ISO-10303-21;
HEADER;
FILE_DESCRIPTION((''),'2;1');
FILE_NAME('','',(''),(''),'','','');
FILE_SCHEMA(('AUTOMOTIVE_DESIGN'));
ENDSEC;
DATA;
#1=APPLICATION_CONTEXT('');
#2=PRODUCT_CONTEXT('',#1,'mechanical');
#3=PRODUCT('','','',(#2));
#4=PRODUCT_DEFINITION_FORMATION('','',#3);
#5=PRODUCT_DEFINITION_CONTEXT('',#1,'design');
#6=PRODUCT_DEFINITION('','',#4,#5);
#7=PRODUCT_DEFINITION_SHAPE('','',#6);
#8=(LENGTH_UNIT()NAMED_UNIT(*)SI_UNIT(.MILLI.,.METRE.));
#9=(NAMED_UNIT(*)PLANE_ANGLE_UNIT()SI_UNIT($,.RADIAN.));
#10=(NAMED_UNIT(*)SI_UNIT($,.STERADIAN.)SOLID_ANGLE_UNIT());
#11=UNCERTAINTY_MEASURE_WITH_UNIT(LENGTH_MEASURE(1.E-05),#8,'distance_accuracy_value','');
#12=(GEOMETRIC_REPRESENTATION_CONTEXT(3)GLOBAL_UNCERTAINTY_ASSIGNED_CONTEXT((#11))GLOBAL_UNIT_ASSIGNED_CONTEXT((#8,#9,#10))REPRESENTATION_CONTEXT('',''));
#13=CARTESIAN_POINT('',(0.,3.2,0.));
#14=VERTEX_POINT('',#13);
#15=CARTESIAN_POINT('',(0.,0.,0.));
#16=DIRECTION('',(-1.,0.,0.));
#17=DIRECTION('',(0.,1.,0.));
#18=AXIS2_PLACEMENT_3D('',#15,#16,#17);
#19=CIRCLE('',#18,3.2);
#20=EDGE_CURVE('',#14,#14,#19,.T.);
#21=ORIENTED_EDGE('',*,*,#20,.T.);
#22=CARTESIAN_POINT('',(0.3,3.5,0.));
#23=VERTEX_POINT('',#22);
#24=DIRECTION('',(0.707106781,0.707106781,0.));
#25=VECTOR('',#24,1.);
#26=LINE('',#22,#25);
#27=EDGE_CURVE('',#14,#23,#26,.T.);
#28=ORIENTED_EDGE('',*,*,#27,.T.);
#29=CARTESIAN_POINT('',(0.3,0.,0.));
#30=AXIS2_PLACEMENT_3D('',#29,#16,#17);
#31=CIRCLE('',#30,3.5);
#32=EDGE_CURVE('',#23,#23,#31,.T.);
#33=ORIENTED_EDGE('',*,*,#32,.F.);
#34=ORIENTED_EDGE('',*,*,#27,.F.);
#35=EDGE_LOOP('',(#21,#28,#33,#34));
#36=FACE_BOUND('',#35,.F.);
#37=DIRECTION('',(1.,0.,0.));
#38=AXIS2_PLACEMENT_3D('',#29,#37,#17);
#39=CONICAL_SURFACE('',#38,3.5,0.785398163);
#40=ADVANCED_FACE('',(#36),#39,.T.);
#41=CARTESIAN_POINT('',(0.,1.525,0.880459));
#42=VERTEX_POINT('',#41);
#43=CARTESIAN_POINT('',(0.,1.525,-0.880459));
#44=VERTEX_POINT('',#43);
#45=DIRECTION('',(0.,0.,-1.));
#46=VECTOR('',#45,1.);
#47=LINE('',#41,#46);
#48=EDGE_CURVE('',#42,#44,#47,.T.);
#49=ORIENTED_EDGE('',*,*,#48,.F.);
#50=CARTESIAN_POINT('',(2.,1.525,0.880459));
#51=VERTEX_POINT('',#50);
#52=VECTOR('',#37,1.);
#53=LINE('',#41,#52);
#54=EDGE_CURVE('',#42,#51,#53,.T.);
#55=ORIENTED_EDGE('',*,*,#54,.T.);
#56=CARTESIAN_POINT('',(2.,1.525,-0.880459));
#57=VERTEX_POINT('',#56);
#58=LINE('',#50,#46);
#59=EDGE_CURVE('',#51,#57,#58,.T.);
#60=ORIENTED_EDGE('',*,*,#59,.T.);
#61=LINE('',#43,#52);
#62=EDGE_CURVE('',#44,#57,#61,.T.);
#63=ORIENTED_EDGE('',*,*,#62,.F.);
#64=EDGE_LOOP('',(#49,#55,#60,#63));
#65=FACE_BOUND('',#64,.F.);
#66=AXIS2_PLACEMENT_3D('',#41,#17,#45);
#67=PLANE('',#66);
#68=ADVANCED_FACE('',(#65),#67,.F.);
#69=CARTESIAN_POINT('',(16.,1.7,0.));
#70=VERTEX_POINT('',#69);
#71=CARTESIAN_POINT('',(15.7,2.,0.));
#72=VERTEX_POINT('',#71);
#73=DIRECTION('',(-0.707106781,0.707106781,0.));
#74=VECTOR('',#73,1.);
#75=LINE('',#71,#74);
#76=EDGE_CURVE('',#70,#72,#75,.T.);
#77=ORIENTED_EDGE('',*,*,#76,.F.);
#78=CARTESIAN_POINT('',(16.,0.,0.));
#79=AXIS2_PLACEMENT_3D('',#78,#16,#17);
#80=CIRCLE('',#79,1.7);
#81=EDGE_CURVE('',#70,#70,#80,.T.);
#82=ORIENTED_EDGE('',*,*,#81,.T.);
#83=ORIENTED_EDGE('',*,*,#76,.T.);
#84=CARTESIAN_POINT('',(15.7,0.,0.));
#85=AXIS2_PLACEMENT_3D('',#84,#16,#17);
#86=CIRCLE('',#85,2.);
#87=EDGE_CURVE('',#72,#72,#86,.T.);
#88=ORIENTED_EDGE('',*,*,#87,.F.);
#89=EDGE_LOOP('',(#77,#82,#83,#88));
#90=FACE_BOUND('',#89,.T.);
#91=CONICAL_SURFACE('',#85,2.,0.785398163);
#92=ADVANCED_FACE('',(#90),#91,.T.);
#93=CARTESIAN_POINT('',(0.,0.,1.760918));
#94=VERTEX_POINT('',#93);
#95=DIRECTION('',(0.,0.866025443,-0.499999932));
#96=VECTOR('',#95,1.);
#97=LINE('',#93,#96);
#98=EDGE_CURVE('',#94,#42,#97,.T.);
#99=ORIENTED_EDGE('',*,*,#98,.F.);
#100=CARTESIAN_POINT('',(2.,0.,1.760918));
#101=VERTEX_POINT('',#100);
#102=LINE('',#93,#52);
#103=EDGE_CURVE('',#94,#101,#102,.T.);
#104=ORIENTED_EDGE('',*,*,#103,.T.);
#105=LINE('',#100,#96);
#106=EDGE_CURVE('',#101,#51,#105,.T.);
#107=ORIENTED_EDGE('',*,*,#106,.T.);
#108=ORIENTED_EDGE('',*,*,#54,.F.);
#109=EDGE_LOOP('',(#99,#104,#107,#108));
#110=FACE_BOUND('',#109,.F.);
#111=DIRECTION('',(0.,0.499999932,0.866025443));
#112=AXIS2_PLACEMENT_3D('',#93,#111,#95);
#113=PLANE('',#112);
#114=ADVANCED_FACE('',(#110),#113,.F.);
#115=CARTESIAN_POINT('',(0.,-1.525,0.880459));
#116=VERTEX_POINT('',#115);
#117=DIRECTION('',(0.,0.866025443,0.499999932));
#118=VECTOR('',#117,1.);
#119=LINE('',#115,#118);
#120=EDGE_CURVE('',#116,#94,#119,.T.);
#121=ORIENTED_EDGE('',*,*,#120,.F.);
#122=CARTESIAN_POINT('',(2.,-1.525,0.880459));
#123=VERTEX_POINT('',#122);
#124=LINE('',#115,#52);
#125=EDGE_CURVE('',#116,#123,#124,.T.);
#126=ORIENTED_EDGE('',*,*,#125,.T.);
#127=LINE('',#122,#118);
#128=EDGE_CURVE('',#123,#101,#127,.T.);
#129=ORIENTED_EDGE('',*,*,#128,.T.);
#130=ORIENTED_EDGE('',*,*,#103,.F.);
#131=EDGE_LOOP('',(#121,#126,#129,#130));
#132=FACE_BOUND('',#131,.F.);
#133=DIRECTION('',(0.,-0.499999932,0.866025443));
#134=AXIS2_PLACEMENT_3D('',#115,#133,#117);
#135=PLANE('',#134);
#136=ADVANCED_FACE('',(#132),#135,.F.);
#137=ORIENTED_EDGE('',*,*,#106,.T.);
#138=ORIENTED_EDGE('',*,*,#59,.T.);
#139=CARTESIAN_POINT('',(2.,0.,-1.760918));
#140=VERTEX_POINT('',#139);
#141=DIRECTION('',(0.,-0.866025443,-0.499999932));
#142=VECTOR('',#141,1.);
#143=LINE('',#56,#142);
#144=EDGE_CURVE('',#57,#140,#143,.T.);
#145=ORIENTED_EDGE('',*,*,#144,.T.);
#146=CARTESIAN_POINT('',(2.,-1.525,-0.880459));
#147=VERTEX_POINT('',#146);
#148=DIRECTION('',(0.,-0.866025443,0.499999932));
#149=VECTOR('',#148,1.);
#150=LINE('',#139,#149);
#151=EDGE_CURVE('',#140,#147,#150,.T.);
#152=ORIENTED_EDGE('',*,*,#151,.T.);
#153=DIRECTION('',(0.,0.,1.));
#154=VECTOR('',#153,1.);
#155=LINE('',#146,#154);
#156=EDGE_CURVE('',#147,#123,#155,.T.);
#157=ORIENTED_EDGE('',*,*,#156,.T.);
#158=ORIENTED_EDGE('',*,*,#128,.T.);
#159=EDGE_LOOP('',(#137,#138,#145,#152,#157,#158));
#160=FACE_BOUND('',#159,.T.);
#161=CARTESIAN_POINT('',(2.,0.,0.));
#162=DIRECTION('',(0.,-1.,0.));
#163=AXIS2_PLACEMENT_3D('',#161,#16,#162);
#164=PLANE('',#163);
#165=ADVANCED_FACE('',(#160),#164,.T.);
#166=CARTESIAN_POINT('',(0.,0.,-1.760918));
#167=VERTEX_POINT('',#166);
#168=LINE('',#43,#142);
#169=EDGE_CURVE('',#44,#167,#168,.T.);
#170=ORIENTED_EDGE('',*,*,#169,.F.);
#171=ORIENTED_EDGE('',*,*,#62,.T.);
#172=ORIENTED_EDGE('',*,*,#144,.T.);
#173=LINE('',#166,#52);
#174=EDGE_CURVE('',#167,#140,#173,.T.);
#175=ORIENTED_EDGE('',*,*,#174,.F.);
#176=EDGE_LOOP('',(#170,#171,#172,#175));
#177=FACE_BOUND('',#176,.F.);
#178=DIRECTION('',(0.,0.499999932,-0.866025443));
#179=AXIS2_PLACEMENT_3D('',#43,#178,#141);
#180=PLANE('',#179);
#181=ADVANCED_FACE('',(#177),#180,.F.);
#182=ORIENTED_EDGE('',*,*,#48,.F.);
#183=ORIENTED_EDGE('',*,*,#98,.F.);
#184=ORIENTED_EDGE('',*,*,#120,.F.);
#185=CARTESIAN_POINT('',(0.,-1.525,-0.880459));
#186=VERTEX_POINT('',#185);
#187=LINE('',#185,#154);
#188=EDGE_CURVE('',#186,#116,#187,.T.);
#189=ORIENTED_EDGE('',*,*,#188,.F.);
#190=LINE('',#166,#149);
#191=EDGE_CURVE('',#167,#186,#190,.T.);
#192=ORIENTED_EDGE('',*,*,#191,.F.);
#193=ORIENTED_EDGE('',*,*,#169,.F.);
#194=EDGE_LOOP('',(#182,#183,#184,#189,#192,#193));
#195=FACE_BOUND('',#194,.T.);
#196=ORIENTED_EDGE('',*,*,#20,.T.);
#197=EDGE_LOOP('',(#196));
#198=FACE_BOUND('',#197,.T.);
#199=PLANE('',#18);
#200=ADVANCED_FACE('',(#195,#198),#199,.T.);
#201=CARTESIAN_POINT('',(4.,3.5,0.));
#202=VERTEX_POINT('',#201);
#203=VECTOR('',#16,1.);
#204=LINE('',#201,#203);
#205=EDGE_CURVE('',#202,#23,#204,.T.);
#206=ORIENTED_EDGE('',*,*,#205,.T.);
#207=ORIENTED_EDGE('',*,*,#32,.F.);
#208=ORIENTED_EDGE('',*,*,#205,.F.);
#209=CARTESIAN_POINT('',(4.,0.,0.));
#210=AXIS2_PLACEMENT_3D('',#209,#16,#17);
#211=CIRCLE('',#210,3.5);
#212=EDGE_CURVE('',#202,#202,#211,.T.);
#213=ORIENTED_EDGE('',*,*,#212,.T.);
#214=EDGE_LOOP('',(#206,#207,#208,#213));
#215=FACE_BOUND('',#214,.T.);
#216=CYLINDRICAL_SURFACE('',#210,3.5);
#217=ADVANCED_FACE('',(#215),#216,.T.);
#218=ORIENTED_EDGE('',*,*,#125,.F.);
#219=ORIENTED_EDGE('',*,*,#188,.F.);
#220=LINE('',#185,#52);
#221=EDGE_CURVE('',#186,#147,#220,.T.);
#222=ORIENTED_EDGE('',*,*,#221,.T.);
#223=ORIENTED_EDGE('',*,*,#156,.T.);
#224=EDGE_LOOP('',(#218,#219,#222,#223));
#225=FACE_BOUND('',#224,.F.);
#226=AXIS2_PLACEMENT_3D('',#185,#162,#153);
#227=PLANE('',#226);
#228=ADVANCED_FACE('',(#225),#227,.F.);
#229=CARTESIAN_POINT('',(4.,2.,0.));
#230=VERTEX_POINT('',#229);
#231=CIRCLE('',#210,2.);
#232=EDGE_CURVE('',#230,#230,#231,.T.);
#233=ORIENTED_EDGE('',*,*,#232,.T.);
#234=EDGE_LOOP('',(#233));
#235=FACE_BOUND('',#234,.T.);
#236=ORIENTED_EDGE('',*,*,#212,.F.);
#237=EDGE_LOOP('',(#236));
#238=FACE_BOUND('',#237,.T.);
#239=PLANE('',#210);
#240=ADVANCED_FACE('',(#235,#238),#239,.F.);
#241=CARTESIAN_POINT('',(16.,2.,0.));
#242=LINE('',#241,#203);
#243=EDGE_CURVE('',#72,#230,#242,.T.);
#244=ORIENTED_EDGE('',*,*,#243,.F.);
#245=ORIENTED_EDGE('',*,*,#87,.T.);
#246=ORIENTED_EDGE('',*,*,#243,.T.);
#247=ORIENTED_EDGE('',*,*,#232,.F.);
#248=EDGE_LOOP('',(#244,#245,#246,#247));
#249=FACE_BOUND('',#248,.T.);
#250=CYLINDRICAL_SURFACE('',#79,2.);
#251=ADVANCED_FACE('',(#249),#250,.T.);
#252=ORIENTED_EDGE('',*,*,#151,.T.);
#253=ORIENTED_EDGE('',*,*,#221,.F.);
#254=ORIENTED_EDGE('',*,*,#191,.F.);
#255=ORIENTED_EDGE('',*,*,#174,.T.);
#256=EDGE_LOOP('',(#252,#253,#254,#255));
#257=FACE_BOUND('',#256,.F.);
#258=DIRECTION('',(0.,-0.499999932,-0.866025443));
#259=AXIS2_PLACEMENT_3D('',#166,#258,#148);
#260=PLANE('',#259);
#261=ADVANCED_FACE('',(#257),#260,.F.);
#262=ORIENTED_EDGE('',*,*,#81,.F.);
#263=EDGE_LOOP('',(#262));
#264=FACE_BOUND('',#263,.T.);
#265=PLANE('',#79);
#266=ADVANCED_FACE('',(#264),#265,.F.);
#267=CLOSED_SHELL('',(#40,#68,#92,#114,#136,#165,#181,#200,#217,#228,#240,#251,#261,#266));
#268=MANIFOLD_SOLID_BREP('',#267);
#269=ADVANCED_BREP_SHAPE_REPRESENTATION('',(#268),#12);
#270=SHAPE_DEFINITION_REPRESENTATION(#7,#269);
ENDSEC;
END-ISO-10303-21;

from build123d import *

# Parameters (mm, degrees)
F2_SIZE  = 0.3
F4_DEPTH = 2


with BuildPart() as f1:
    # F0 (on Top) → F1 (revolve)
    with BuildSketch(Plane.XY):
        Polygon((0, 3.5), (0, 0), (16, 0), (16, 2), (4, 2), (4, 3.5), align=None)
    revolve(axis=Axis((8, 0, 0), (-1, 0, 0)))

    # F2
    f2_edges = [f1.edges().sort_by_distance(p)[0] for p in [
        (0, -3.5, 0),
        (16, -2, 0),
    ]]
    chamfer(f2_edges, length=F2_SIZE)

    # F3 (on face) → F4 (cut)
    with BuildSketch(Plane(origin=(0, 0, 0), x_dir=(0, -1, 0), z_dir=(-1, 0, 0))):
        Polygon((1.525, 0.880459), (0, 1.760918), (-1.525, 0.880459), (-1.525, -0.880459), (0, -1.760918), (1.525, -0.880459), align=None)
    extrude(amount=-F4_DEPTH, mode=Mode.SUBTRACT)


solid = f1.part
